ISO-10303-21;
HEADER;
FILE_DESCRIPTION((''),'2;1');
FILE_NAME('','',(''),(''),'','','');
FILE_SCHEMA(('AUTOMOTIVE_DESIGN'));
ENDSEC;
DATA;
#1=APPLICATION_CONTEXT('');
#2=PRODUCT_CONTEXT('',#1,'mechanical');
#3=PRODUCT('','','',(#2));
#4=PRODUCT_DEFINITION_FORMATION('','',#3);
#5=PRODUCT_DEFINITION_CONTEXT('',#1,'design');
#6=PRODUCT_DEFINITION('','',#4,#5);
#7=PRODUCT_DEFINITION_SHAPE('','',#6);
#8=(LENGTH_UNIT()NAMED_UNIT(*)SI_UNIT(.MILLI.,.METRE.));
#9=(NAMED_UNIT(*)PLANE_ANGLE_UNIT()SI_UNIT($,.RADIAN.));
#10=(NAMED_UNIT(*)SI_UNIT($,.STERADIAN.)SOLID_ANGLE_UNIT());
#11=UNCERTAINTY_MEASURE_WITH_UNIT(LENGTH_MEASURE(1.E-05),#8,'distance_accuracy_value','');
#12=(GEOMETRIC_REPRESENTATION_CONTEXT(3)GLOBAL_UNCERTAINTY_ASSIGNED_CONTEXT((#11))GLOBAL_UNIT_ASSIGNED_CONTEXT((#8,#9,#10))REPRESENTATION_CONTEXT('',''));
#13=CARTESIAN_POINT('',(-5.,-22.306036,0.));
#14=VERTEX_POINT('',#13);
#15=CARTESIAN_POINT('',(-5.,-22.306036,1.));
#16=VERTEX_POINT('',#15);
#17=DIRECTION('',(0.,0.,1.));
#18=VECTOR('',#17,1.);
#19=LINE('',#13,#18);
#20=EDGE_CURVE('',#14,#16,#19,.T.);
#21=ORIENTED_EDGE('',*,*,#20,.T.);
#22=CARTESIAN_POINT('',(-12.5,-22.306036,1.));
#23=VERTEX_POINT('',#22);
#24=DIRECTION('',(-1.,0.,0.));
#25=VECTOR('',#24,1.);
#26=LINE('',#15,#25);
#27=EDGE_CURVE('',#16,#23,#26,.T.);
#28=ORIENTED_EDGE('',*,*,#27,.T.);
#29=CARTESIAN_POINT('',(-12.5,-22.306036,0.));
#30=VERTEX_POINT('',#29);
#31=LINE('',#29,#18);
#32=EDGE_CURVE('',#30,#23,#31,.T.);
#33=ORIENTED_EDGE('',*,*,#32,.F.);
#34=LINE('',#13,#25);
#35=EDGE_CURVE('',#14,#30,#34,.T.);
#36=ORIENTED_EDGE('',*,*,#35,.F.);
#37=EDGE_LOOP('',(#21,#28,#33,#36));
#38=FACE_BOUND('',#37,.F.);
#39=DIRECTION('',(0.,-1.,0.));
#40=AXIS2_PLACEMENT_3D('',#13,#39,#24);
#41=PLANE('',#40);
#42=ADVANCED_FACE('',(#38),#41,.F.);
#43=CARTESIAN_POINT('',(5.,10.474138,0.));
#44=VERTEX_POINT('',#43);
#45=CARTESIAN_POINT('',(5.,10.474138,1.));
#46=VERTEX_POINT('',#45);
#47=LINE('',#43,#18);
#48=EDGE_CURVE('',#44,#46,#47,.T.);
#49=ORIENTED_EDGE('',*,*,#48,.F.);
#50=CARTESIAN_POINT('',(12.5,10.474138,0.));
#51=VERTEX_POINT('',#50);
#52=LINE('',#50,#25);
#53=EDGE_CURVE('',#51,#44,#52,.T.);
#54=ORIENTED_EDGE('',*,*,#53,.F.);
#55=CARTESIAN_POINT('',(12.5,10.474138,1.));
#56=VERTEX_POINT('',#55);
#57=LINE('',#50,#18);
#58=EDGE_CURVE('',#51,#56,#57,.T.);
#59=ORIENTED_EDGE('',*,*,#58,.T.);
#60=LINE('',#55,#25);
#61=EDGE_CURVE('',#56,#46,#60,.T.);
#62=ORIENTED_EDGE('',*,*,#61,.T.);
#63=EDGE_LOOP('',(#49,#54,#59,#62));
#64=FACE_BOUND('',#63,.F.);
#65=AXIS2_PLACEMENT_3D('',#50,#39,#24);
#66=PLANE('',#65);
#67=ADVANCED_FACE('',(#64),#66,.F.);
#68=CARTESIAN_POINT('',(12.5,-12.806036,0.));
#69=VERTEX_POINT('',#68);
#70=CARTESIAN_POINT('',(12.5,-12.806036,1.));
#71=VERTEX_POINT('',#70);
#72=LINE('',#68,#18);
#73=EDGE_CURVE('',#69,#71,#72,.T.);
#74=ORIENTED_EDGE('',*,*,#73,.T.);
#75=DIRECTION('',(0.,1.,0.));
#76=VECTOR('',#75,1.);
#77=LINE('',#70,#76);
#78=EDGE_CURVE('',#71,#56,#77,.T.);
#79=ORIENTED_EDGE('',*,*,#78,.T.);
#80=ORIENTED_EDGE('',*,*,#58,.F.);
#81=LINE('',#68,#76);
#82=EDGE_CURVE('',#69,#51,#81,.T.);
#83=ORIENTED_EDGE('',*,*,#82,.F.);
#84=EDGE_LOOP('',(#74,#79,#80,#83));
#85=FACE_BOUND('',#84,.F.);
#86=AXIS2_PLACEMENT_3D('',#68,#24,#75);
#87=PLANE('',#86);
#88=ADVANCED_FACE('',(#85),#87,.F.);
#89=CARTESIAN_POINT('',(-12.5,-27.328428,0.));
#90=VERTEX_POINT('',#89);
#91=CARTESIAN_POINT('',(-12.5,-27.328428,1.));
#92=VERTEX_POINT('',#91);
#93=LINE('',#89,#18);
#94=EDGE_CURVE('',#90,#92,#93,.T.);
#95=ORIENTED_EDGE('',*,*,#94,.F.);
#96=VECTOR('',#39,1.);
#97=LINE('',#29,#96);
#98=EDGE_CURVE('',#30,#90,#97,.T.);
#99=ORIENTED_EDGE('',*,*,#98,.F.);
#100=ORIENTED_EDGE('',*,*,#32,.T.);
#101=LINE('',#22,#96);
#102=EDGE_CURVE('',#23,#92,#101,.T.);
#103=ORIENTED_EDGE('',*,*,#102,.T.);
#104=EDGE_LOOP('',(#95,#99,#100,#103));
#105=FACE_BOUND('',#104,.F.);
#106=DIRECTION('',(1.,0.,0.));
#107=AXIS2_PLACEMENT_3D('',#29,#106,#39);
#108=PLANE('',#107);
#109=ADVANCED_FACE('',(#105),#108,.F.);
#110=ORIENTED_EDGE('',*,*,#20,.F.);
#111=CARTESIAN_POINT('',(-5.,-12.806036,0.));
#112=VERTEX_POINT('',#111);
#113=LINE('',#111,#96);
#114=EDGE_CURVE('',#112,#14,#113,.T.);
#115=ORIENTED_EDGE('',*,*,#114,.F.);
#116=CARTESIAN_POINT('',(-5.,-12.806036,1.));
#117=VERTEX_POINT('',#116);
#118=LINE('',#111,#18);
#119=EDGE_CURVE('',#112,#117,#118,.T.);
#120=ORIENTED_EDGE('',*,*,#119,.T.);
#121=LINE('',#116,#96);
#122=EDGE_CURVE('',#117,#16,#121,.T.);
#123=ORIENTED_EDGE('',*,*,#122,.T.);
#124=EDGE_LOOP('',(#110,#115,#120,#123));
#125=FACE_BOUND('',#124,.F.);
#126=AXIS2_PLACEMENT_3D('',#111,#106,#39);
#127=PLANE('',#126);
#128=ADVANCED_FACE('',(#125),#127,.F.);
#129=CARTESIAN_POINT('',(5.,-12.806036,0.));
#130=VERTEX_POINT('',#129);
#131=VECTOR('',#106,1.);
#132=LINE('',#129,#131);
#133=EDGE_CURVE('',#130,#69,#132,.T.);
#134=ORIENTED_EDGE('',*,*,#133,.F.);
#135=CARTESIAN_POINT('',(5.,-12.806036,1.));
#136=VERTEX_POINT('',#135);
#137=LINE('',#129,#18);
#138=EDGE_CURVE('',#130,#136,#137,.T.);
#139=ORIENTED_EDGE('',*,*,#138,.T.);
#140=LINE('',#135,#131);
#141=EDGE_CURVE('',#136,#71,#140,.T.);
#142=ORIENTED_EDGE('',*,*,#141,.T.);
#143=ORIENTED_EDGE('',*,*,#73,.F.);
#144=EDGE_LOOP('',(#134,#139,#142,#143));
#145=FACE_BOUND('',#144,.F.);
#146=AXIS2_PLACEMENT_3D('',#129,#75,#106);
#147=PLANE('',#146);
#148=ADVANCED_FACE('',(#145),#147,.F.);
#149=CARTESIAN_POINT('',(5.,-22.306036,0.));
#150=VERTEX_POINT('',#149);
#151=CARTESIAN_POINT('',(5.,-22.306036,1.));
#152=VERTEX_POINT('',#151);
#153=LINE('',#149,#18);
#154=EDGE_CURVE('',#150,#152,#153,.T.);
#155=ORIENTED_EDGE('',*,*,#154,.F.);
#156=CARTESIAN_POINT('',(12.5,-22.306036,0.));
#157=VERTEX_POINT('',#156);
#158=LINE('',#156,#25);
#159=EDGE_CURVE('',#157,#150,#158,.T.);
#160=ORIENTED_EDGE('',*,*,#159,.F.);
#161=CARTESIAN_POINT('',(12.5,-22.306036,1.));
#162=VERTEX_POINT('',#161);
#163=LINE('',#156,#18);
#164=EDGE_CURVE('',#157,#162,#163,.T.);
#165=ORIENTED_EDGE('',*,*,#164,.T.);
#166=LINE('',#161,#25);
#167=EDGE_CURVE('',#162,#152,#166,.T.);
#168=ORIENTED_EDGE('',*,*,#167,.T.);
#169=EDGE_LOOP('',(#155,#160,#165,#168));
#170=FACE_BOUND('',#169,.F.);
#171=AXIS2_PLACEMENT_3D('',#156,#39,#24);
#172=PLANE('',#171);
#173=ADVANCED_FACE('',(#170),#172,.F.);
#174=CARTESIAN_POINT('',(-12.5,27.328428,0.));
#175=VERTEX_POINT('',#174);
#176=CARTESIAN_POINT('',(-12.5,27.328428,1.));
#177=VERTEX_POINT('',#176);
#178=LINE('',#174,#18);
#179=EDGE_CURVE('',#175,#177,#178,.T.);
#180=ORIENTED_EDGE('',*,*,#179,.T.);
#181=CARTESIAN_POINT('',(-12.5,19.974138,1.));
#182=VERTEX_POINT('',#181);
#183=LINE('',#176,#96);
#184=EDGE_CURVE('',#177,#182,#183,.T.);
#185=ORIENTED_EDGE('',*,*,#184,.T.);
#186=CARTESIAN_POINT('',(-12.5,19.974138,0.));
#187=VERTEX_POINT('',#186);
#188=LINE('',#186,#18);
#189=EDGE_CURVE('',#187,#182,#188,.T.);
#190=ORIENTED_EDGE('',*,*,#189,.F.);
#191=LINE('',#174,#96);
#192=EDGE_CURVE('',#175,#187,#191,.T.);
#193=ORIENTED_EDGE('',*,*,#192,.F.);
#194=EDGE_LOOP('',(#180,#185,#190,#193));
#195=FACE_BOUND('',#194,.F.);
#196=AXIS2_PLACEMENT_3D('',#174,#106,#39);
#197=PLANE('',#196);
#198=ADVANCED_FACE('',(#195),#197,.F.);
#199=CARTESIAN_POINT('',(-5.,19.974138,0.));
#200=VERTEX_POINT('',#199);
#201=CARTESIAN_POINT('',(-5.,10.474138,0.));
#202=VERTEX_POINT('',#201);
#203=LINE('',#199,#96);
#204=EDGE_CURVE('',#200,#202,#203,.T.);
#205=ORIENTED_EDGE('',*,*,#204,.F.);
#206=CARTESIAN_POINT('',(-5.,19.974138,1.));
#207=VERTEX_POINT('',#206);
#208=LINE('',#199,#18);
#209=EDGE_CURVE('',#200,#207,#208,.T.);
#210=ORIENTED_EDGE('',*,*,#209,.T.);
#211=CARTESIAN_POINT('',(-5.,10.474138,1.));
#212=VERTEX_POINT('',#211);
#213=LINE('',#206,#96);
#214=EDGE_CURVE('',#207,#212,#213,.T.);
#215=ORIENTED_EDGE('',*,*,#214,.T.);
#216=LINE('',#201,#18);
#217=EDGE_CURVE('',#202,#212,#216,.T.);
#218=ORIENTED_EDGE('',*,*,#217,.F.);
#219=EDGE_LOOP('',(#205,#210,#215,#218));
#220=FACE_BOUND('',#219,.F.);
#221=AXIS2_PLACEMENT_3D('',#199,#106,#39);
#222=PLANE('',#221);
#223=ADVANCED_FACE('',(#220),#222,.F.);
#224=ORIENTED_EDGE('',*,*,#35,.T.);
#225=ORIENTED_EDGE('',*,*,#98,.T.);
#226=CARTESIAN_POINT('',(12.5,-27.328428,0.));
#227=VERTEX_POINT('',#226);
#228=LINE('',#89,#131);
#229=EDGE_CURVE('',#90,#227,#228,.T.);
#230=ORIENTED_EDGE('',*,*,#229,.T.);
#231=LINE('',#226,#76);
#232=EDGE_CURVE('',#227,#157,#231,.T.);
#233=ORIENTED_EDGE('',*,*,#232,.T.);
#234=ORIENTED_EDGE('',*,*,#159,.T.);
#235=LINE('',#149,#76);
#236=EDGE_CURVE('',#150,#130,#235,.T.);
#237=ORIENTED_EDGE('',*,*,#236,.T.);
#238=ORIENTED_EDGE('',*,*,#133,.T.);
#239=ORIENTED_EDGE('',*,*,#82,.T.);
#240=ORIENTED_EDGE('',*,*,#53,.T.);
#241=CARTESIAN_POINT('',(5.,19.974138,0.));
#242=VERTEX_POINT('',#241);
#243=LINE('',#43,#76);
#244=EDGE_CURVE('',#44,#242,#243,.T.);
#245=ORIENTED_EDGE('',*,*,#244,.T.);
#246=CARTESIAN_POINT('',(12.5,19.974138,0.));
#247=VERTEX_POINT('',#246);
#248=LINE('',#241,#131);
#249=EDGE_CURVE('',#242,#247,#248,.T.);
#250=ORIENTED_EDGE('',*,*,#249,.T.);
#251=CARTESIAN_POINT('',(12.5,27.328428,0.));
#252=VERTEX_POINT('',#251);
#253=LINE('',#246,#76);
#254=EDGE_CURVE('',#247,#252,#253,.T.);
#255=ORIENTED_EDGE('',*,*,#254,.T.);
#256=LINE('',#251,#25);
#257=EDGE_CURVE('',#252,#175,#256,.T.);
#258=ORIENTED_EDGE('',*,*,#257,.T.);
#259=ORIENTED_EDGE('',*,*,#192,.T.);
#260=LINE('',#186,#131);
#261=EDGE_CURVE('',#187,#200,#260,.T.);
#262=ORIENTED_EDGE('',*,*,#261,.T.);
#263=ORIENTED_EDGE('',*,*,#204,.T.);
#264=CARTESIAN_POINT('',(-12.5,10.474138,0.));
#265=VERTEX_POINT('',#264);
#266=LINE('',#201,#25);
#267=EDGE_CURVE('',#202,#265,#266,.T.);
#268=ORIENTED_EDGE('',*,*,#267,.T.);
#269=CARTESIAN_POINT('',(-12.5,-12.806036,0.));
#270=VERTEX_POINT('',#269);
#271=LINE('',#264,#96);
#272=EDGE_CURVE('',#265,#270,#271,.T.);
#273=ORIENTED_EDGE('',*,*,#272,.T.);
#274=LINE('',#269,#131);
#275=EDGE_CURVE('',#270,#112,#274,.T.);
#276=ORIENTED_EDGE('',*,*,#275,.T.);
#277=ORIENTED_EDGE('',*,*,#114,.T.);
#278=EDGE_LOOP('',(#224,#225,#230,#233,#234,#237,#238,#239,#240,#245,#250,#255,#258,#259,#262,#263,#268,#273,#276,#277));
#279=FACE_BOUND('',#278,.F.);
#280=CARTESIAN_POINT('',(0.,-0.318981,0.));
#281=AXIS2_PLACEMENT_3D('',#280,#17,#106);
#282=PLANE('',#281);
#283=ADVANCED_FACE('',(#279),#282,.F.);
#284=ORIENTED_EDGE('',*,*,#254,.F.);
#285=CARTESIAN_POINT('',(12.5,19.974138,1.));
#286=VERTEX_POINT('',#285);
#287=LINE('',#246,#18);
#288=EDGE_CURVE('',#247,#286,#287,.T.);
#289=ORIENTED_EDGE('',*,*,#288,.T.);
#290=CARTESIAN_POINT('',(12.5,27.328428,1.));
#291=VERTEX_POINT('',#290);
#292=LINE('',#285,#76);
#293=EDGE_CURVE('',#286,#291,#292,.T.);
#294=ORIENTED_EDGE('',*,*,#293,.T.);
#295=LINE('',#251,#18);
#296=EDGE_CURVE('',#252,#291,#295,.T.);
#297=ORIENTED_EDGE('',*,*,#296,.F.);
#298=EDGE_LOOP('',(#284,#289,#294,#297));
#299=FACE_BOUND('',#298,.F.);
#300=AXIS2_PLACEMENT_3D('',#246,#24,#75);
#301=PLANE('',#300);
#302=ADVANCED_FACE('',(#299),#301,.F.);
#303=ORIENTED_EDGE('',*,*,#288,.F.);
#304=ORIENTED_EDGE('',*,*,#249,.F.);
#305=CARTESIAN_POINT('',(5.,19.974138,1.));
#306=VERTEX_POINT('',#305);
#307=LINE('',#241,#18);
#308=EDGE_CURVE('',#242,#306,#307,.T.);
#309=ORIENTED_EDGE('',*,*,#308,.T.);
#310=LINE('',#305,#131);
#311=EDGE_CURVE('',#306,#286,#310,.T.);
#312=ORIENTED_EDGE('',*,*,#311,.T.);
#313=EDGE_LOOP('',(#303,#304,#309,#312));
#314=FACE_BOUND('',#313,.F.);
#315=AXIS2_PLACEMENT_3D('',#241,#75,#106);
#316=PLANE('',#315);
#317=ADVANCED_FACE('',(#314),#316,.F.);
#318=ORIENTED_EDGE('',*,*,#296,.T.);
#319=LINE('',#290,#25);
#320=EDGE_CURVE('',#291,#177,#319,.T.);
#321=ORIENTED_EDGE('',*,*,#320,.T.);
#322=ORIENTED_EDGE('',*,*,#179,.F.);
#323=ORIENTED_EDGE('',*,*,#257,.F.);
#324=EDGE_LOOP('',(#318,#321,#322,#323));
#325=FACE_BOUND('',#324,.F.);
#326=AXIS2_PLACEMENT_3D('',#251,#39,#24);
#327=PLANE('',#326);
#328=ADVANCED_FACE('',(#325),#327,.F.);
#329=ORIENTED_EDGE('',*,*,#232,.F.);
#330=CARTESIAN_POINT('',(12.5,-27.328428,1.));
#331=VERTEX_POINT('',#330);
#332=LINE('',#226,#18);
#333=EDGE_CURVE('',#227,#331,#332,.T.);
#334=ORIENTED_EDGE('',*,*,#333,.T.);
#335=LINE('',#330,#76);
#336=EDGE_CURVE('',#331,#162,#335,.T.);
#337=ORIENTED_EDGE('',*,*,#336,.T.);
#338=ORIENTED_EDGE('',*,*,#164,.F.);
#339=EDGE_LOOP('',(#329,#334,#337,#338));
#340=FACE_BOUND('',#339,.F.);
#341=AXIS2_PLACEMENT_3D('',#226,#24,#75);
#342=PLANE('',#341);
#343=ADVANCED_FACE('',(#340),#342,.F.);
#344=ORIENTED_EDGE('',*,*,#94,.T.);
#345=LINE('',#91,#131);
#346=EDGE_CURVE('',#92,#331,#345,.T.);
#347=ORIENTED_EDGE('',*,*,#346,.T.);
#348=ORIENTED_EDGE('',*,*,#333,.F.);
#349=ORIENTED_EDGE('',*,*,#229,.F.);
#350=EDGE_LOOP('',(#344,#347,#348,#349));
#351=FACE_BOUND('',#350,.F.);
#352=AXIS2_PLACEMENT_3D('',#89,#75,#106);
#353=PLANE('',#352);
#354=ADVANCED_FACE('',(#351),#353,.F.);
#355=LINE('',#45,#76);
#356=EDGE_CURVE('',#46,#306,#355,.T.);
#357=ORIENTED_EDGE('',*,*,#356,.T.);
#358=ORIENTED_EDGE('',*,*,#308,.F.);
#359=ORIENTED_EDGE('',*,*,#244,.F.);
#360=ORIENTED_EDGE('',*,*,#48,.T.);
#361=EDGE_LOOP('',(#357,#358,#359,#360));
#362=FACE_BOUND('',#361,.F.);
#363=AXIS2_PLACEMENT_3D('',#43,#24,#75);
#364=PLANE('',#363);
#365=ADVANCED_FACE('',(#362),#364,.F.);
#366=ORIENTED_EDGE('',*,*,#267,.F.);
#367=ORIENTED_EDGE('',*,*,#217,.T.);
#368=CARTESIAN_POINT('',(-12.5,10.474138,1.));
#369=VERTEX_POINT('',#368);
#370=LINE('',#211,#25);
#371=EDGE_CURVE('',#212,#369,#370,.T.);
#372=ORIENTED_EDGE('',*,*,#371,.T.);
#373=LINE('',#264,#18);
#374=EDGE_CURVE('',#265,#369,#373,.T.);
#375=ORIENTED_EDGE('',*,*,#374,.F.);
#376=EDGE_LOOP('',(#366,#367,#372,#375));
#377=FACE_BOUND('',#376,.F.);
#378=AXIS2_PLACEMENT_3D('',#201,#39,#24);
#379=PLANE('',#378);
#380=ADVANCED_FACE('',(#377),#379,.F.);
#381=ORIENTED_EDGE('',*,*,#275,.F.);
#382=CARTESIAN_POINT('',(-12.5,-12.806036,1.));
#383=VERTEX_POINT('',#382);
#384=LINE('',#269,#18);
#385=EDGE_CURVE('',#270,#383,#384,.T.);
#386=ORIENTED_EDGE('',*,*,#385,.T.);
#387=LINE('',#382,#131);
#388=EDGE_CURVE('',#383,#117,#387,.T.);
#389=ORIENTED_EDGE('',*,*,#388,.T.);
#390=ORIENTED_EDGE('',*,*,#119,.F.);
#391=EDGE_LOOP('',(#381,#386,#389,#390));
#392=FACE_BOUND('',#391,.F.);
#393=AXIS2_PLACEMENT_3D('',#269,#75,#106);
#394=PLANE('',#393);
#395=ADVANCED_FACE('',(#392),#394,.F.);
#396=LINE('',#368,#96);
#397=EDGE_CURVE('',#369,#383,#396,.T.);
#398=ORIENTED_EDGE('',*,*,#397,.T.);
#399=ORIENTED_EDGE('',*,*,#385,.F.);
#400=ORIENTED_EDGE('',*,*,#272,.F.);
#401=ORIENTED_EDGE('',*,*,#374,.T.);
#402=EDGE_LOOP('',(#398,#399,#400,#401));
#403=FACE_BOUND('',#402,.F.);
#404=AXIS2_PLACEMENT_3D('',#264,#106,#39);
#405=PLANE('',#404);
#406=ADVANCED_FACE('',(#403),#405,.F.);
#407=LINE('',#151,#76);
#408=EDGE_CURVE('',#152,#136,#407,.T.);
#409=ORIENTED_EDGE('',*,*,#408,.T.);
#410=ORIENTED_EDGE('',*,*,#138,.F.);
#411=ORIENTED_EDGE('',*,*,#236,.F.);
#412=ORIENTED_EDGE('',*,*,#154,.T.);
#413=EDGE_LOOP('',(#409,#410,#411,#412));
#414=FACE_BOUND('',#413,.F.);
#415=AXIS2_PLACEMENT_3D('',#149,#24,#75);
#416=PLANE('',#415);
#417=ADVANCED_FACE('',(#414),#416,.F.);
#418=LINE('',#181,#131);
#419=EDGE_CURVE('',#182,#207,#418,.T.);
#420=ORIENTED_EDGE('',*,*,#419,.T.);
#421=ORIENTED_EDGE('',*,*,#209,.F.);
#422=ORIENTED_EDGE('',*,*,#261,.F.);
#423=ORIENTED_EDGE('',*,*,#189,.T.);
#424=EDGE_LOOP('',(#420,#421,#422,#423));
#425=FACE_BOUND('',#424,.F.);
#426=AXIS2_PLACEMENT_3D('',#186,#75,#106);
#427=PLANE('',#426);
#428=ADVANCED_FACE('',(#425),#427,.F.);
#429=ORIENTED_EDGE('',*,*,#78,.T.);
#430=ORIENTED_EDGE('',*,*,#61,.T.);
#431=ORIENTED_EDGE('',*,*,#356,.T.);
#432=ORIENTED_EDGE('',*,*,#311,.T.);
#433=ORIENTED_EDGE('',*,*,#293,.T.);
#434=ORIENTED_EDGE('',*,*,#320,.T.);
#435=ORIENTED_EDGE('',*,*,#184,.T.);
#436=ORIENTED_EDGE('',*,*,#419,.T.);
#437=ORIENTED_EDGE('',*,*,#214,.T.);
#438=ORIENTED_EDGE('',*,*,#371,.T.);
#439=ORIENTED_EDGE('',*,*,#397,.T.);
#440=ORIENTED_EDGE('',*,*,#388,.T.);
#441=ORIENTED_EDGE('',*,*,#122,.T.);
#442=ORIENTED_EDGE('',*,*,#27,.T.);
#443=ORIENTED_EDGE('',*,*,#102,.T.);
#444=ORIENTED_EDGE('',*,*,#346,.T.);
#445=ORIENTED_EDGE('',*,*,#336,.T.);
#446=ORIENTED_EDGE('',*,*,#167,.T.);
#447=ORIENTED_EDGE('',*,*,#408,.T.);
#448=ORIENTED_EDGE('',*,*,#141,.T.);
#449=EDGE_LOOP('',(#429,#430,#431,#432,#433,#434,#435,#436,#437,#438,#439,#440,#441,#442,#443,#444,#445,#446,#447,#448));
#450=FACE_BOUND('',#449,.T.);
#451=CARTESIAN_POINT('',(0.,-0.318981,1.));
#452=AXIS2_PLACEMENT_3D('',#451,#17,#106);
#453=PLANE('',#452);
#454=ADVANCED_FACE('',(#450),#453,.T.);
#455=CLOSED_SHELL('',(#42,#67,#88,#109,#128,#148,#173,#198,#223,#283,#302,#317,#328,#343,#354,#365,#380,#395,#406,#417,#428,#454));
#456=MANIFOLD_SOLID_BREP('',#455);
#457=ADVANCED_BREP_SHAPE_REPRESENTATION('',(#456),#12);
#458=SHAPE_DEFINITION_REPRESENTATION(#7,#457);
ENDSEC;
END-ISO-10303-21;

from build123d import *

# Parameters (mm, degrees)
F1_DEPTH = 1


with BuildPart() as f1:
    # F0 (on Top) → F1 (new body)
    with BuildSketch(Plane.XY):
        Polygon((-12.5, -27.328428), (12.5, -27.328428), (12.5, -22.306036), (5, -22.306036), (5, -12.806036), (12.5, -12.806036), (12.5, 10.474138), (5, 10.474138), (5, 19.974138), (12.5, 19.974138), (12.5, 27.328428), (-12.5, 27.328428), (-12.5, 19.974138), (-5, 19.974138), (-5, 10.474138), (-12.5, 10.474138), (-12.5, -12.806036), (-5, -12.806036), (-5, -22.306036), (-12.5, -22.306036), align=None)
    extrude(amount=F1_DEPTH)


solid = f1.part
